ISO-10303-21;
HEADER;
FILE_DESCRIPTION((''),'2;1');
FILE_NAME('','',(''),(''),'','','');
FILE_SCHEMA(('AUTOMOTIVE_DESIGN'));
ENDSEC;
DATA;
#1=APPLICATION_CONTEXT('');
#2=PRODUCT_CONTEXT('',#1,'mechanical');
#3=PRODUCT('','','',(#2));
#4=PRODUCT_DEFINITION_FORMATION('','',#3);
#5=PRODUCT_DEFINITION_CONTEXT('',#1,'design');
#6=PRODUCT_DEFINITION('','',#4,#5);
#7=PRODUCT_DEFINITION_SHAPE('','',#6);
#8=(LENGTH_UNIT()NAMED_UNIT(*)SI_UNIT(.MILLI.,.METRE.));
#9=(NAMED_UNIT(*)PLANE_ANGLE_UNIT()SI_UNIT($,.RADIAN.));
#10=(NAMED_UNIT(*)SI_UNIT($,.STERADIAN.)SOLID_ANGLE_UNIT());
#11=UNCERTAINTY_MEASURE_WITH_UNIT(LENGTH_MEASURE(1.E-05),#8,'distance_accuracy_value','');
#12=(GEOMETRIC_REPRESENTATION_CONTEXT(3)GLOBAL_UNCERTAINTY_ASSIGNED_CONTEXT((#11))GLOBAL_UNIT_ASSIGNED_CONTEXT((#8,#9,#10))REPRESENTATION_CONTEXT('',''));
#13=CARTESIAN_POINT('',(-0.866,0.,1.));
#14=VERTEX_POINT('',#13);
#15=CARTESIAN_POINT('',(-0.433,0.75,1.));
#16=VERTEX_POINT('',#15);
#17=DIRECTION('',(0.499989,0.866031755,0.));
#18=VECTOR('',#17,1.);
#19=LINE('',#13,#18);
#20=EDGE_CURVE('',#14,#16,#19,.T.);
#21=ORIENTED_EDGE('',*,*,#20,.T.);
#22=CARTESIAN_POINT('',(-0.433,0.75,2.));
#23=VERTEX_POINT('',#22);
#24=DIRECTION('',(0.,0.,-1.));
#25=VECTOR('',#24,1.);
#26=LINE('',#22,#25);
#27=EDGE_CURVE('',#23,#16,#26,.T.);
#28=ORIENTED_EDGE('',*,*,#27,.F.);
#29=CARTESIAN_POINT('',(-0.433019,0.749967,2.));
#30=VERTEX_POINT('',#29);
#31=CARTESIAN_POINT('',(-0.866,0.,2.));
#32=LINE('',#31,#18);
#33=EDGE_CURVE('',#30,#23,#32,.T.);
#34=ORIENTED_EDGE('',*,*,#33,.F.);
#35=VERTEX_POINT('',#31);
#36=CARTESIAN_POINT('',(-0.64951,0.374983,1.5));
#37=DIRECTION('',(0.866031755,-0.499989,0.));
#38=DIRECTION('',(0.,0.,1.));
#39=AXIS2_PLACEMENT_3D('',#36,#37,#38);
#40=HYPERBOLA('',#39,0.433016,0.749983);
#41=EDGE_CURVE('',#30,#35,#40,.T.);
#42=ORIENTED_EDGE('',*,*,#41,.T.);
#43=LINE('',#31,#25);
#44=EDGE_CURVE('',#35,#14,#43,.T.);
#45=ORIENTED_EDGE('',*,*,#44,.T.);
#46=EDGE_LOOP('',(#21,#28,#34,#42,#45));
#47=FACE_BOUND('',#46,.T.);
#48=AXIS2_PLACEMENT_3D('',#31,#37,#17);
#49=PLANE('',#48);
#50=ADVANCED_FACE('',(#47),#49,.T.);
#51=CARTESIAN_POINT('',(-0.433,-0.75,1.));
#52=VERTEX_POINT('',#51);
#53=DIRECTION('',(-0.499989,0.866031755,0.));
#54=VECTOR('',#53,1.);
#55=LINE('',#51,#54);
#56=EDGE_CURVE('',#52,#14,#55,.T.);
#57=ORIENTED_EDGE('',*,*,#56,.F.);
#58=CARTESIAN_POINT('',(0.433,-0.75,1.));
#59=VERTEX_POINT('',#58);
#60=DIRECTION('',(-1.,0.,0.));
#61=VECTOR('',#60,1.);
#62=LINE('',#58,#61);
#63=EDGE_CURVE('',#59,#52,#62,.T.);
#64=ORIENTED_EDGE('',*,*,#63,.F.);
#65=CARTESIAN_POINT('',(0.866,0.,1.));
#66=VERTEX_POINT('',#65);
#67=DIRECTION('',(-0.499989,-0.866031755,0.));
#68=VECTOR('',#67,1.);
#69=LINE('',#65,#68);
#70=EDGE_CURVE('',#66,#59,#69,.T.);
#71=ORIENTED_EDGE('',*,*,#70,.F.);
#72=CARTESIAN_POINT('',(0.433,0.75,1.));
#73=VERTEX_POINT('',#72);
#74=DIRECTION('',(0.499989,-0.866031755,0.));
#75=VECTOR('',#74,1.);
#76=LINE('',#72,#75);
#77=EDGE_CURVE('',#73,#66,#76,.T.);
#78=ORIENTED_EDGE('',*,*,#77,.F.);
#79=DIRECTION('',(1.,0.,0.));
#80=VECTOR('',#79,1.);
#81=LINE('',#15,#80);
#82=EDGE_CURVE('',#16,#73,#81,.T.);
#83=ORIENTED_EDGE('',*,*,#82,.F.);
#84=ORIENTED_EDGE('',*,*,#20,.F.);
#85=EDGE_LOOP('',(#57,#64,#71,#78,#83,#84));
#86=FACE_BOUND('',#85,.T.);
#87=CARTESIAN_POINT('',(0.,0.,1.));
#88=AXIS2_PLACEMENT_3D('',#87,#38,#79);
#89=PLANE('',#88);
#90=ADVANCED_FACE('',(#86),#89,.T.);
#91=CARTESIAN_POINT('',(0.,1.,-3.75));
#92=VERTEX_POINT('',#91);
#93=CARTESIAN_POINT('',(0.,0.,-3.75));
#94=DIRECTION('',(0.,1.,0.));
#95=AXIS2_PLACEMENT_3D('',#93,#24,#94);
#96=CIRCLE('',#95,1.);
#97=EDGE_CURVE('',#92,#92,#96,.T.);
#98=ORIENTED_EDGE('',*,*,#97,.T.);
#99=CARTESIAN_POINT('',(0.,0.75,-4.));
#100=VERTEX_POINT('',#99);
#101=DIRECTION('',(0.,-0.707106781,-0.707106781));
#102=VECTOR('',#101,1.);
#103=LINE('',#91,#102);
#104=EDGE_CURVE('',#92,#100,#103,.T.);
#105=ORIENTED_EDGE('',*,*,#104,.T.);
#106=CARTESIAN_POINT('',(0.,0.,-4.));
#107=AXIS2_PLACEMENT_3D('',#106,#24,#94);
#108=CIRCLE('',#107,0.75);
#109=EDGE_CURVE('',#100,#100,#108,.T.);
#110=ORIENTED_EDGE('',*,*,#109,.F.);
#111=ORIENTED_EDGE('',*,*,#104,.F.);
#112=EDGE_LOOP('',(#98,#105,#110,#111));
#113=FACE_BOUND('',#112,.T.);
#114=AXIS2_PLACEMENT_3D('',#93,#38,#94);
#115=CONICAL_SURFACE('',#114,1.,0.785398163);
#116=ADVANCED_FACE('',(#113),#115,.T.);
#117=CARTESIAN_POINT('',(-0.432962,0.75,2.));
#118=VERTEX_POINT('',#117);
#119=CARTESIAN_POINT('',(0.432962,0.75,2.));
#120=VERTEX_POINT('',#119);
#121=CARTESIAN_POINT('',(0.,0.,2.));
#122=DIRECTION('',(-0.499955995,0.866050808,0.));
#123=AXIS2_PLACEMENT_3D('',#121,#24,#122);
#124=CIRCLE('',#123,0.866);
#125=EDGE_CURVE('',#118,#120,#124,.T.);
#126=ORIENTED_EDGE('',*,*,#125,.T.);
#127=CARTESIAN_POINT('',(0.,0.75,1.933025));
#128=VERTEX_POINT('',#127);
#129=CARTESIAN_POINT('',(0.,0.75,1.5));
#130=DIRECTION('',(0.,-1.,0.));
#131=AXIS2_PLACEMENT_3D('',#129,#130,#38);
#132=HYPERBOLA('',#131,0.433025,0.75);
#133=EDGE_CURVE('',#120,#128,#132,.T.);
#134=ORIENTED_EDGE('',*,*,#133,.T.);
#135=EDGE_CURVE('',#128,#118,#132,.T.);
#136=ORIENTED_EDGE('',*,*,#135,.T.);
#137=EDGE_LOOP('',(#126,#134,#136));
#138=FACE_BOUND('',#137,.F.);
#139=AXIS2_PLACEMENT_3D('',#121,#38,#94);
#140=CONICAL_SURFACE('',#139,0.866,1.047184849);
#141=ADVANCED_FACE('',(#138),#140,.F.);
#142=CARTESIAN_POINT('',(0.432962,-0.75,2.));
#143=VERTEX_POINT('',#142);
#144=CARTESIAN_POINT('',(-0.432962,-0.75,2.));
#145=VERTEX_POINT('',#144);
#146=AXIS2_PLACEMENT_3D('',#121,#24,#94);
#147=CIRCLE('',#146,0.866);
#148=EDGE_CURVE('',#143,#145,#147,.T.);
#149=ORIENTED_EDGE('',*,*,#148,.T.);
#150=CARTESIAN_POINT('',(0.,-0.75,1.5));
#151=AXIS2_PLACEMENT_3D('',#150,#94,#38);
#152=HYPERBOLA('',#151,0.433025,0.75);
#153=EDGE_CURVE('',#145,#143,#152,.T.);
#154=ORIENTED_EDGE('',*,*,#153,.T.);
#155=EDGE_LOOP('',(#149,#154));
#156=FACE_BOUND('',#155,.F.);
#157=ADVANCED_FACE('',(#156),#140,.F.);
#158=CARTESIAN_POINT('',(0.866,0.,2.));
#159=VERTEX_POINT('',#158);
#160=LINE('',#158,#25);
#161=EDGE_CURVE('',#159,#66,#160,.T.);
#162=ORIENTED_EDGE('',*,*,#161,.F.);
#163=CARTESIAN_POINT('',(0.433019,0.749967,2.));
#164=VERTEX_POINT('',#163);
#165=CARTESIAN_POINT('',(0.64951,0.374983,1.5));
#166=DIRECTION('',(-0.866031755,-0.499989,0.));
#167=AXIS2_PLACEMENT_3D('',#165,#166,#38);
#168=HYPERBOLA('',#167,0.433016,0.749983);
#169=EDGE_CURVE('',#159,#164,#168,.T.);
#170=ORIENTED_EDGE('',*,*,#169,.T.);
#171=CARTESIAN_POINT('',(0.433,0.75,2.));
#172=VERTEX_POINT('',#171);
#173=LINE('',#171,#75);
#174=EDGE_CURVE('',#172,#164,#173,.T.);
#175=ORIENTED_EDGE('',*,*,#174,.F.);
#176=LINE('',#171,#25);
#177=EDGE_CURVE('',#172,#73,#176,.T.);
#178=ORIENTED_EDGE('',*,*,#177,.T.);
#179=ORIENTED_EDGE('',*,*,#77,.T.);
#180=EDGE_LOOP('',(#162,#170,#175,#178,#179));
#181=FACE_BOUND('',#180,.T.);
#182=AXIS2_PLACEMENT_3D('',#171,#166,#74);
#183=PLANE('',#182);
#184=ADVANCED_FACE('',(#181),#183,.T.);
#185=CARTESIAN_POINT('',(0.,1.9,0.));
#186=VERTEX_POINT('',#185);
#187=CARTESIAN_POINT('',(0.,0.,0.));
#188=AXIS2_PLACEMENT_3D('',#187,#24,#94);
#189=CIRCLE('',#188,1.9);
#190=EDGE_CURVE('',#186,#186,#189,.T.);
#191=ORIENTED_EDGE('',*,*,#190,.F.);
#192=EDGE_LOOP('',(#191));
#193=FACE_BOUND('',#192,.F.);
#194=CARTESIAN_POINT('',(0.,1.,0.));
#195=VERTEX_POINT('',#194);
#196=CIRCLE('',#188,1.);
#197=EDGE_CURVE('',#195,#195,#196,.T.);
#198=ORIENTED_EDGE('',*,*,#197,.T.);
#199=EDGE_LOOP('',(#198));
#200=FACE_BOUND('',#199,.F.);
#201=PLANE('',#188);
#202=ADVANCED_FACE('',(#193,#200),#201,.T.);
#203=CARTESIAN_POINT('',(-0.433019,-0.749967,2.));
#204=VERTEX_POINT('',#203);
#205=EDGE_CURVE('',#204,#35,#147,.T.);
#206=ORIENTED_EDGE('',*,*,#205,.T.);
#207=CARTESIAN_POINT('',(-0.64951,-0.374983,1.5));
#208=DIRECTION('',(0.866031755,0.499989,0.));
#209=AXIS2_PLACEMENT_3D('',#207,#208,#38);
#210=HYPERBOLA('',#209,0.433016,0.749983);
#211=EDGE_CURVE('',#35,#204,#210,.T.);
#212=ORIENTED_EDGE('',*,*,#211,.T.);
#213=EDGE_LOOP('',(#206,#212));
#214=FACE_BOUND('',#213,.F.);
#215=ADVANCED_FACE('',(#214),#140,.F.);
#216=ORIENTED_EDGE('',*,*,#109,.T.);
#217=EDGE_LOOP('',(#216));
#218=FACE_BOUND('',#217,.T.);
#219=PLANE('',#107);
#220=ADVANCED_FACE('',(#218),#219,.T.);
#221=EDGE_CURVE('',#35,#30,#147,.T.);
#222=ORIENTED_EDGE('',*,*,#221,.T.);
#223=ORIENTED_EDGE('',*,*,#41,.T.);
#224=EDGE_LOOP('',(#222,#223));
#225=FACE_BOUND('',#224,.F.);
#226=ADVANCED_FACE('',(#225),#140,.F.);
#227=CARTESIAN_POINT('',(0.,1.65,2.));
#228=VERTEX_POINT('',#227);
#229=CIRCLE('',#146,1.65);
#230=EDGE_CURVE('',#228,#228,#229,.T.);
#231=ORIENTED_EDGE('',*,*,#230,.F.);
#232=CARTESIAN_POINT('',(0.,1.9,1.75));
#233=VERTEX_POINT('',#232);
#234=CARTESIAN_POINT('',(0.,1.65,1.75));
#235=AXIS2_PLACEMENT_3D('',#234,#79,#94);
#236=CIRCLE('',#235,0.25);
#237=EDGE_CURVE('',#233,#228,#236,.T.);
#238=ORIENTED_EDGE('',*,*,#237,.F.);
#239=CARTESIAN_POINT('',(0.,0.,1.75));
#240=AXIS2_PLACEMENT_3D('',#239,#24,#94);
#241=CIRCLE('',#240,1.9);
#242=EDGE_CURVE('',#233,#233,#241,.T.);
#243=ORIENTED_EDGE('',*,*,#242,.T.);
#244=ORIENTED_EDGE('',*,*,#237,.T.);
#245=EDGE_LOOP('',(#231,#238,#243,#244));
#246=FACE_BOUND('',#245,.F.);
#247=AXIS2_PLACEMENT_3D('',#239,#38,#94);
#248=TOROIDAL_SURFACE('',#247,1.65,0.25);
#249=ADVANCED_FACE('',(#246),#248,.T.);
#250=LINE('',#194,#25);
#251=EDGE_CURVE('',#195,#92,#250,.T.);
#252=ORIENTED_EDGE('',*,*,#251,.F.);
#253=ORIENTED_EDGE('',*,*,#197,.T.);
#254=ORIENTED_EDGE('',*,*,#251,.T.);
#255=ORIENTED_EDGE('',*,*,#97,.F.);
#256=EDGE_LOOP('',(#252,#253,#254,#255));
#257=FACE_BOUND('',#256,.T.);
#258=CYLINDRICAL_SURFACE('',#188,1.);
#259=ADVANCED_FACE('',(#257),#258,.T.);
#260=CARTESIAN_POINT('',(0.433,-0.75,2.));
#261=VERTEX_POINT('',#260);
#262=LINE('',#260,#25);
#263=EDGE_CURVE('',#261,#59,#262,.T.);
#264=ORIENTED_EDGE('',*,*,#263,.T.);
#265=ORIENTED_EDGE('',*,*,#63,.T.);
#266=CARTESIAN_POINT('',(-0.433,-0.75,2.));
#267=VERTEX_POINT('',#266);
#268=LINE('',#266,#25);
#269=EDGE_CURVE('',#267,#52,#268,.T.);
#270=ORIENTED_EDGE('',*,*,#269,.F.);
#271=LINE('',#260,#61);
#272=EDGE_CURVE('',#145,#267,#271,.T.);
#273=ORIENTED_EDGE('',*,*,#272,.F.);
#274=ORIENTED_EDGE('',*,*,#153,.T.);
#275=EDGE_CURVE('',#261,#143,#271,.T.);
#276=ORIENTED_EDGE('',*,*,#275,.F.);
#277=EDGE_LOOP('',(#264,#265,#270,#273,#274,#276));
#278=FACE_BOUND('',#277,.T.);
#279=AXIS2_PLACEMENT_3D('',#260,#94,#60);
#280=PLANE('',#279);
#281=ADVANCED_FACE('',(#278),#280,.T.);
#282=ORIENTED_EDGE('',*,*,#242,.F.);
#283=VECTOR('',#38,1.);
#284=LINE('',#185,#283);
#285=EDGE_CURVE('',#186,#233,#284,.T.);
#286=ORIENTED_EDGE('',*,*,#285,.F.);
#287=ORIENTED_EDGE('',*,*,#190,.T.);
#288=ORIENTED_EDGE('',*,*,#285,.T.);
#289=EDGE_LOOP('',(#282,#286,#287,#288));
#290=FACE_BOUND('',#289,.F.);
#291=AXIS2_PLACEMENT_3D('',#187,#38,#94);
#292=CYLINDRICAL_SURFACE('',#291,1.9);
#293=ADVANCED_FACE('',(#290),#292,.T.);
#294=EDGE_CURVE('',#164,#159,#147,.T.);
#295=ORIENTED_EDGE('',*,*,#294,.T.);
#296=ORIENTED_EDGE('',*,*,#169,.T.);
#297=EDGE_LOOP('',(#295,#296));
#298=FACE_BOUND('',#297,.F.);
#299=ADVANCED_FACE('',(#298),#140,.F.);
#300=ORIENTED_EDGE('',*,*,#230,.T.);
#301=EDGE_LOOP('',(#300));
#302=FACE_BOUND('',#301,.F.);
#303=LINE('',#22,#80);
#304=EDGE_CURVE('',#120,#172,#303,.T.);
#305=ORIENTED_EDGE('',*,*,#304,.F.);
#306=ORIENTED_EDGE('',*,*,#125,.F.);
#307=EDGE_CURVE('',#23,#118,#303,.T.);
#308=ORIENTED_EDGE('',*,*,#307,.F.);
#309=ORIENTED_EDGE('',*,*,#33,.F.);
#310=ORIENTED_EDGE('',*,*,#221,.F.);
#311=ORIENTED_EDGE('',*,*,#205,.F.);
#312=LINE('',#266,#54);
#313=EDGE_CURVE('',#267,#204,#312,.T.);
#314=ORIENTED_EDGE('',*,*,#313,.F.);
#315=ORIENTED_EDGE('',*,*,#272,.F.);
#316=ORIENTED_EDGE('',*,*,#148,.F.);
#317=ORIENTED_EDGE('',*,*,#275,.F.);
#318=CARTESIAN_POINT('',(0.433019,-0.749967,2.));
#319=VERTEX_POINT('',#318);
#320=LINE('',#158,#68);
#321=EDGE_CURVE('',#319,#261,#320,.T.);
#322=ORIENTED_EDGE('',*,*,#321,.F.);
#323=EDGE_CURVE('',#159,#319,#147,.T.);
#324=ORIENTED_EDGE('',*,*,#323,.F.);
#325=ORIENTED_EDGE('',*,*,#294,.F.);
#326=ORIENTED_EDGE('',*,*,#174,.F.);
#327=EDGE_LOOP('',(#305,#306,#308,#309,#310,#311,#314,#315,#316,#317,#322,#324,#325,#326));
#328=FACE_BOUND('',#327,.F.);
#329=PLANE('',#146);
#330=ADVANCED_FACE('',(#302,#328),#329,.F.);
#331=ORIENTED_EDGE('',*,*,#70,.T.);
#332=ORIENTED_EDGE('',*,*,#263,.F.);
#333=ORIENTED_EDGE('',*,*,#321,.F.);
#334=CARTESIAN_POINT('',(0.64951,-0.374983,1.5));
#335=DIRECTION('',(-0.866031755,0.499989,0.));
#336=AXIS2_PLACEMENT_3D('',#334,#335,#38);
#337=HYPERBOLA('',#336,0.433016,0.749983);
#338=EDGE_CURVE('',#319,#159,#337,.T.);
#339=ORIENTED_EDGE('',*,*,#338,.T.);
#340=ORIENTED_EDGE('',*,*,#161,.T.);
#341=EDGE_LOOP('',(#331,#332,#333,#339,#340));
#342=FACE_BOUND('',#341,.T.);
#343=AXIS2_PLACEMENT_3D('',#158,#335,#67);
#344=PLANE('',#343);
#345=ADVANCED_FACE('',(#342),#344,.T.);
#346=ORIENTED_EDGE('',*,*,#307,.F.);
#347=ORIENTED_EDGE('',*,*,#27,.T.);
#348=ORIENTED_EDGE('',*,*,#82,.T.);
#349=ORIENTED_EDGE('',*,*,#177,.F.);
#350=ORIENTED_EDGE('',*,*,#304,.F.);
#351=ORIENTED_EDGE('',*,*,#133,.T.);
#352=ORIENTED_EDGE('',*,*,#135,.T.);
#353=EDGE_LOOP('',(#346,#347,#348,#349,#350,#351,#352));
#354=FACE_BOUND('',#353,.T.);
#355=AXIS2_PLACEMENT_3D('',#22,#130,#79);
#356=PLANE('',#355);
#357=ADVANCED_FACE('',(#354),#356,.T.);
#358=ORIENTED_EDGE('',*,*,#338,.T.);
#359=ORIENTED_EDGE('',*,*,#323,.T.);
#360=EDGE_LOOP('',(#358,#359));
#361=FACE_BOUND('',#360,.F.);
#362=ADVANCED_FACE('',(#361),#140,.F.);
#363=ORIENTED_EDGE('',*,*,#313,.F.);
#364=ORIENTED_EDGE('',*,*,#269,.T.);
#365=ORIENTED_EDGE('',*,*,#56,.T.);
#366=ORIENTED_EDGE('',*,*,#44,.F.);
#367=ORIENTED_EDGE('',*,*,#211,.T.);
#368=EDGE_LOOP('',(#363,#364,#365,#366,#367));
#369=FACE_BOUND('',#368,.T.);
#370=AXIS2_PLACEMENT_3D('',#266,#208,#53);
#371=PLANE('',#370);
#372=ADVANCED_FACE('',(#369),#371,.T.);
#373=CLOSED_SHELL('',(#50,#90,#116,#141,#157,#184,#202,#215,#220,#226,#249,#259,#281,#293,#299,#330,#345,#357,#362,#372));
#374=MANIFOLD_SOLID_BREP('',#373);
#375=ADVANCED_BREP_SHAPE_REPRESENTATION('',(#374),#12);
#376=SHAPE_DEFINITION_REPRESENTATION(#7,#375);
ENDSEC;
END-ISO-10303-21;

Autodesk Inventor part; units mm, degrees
ref_plane "YZ Plane" through (0, 0, 0) normal (1, 0, 0) x (0, 1, 0)
ref_plane "XZ Plane" through (0, 0, 0) normal (0, 1, 0) x (-1, 0, 0)
ref_plane "XY Plane" through (0, 0, 0) normal (0, 0, 1) x (1, 0, 0)
sketch "スケッチ1" plane through (0, 0, 0) normal (1, 0, 0) x (0, 1, 0)
  line L0 (0, 0) -> (1, 0) construction
  line L1 (1.9, 0) -> (1.9, 1.75)
  line L2 (1.65, 2) -> (0.866, 2)
  line L3 (0, 2) -> (0, 1.5) construction
  line L4 (1, 0) -> (1, -4)
  line L5 (1, -4) -> (0, -4)
  line L6 (0, -4) -> (0, 0)
  line L7 (1, 0) -> (1.9, 0)
  line L8 (0.866, 2) -> (0.433, 1.25) construction
  line L9 (0.433, 1.25) -> (-0.433, 1.25) construction
  line L10 (-0.433, 1.25) -> (-0.866, 2) construction
  line L11 (-0.866, 2) -> (-0.433, 2.75) construction
  line L12 (-0.433, 2.75) -> (0.433, 2.75) construction
  line L13 (0.433, 2.75) -> (0.866, 2) construction
  line L14 (0.866, 2) -> (0, 1.5)
  line L15 (0.866, 2) -> (0, 2) construction
  line L16 (0, 1.5) -> (0, 0)
  arc A0 (1.9, 1.75) -> (1.65, 2) centre (1.65, 1.75) ccw
  dimension "d0" = 1.5
  dimension "d1" = 3.8
  dimension "d2" = 2
  dimension "d3" = 4
  dimension "d4" = 2
  dimension "d6" = 0.25
  dimension "d11" = 30
revolve "回転1" add sketch "スケッチ1" angle 360 about axis through (0, 0, 1.5) along (0, 0, -1)
sketch "スケッチ2" plane through (0, 0, 2) normal (0, 0, 1) x (1, 0, 0)
  line L0 (0.866, 0) -> (0.433, -0.75)
  line L1 (0.433, -0.75) -> (-0.433, -0.75)
  line L2 (-0.433, -0.75) -> (-0.866, 0)
  line L3 (-0.866, 0) -> (-0.433, 0.75)
  line L4 (-0.433, 0.75) -> (0.433, 0.75)
  line L5 (0.433, 0.75) -> (0.866, 0)
  point P0 (0, 0)
  point P1 (0, 0)
  dimension "d8" = 1.5
extrude "押し出し1" cut sketch "スケッチ2" against normal blind 1
chamfer "面取り1" distance 0.25 angle 45 1 edges at (0, -1, -4)
properties part number "10_048_CAP_SCREW_M2X4_R1" material "鋼、炭素鋼"
